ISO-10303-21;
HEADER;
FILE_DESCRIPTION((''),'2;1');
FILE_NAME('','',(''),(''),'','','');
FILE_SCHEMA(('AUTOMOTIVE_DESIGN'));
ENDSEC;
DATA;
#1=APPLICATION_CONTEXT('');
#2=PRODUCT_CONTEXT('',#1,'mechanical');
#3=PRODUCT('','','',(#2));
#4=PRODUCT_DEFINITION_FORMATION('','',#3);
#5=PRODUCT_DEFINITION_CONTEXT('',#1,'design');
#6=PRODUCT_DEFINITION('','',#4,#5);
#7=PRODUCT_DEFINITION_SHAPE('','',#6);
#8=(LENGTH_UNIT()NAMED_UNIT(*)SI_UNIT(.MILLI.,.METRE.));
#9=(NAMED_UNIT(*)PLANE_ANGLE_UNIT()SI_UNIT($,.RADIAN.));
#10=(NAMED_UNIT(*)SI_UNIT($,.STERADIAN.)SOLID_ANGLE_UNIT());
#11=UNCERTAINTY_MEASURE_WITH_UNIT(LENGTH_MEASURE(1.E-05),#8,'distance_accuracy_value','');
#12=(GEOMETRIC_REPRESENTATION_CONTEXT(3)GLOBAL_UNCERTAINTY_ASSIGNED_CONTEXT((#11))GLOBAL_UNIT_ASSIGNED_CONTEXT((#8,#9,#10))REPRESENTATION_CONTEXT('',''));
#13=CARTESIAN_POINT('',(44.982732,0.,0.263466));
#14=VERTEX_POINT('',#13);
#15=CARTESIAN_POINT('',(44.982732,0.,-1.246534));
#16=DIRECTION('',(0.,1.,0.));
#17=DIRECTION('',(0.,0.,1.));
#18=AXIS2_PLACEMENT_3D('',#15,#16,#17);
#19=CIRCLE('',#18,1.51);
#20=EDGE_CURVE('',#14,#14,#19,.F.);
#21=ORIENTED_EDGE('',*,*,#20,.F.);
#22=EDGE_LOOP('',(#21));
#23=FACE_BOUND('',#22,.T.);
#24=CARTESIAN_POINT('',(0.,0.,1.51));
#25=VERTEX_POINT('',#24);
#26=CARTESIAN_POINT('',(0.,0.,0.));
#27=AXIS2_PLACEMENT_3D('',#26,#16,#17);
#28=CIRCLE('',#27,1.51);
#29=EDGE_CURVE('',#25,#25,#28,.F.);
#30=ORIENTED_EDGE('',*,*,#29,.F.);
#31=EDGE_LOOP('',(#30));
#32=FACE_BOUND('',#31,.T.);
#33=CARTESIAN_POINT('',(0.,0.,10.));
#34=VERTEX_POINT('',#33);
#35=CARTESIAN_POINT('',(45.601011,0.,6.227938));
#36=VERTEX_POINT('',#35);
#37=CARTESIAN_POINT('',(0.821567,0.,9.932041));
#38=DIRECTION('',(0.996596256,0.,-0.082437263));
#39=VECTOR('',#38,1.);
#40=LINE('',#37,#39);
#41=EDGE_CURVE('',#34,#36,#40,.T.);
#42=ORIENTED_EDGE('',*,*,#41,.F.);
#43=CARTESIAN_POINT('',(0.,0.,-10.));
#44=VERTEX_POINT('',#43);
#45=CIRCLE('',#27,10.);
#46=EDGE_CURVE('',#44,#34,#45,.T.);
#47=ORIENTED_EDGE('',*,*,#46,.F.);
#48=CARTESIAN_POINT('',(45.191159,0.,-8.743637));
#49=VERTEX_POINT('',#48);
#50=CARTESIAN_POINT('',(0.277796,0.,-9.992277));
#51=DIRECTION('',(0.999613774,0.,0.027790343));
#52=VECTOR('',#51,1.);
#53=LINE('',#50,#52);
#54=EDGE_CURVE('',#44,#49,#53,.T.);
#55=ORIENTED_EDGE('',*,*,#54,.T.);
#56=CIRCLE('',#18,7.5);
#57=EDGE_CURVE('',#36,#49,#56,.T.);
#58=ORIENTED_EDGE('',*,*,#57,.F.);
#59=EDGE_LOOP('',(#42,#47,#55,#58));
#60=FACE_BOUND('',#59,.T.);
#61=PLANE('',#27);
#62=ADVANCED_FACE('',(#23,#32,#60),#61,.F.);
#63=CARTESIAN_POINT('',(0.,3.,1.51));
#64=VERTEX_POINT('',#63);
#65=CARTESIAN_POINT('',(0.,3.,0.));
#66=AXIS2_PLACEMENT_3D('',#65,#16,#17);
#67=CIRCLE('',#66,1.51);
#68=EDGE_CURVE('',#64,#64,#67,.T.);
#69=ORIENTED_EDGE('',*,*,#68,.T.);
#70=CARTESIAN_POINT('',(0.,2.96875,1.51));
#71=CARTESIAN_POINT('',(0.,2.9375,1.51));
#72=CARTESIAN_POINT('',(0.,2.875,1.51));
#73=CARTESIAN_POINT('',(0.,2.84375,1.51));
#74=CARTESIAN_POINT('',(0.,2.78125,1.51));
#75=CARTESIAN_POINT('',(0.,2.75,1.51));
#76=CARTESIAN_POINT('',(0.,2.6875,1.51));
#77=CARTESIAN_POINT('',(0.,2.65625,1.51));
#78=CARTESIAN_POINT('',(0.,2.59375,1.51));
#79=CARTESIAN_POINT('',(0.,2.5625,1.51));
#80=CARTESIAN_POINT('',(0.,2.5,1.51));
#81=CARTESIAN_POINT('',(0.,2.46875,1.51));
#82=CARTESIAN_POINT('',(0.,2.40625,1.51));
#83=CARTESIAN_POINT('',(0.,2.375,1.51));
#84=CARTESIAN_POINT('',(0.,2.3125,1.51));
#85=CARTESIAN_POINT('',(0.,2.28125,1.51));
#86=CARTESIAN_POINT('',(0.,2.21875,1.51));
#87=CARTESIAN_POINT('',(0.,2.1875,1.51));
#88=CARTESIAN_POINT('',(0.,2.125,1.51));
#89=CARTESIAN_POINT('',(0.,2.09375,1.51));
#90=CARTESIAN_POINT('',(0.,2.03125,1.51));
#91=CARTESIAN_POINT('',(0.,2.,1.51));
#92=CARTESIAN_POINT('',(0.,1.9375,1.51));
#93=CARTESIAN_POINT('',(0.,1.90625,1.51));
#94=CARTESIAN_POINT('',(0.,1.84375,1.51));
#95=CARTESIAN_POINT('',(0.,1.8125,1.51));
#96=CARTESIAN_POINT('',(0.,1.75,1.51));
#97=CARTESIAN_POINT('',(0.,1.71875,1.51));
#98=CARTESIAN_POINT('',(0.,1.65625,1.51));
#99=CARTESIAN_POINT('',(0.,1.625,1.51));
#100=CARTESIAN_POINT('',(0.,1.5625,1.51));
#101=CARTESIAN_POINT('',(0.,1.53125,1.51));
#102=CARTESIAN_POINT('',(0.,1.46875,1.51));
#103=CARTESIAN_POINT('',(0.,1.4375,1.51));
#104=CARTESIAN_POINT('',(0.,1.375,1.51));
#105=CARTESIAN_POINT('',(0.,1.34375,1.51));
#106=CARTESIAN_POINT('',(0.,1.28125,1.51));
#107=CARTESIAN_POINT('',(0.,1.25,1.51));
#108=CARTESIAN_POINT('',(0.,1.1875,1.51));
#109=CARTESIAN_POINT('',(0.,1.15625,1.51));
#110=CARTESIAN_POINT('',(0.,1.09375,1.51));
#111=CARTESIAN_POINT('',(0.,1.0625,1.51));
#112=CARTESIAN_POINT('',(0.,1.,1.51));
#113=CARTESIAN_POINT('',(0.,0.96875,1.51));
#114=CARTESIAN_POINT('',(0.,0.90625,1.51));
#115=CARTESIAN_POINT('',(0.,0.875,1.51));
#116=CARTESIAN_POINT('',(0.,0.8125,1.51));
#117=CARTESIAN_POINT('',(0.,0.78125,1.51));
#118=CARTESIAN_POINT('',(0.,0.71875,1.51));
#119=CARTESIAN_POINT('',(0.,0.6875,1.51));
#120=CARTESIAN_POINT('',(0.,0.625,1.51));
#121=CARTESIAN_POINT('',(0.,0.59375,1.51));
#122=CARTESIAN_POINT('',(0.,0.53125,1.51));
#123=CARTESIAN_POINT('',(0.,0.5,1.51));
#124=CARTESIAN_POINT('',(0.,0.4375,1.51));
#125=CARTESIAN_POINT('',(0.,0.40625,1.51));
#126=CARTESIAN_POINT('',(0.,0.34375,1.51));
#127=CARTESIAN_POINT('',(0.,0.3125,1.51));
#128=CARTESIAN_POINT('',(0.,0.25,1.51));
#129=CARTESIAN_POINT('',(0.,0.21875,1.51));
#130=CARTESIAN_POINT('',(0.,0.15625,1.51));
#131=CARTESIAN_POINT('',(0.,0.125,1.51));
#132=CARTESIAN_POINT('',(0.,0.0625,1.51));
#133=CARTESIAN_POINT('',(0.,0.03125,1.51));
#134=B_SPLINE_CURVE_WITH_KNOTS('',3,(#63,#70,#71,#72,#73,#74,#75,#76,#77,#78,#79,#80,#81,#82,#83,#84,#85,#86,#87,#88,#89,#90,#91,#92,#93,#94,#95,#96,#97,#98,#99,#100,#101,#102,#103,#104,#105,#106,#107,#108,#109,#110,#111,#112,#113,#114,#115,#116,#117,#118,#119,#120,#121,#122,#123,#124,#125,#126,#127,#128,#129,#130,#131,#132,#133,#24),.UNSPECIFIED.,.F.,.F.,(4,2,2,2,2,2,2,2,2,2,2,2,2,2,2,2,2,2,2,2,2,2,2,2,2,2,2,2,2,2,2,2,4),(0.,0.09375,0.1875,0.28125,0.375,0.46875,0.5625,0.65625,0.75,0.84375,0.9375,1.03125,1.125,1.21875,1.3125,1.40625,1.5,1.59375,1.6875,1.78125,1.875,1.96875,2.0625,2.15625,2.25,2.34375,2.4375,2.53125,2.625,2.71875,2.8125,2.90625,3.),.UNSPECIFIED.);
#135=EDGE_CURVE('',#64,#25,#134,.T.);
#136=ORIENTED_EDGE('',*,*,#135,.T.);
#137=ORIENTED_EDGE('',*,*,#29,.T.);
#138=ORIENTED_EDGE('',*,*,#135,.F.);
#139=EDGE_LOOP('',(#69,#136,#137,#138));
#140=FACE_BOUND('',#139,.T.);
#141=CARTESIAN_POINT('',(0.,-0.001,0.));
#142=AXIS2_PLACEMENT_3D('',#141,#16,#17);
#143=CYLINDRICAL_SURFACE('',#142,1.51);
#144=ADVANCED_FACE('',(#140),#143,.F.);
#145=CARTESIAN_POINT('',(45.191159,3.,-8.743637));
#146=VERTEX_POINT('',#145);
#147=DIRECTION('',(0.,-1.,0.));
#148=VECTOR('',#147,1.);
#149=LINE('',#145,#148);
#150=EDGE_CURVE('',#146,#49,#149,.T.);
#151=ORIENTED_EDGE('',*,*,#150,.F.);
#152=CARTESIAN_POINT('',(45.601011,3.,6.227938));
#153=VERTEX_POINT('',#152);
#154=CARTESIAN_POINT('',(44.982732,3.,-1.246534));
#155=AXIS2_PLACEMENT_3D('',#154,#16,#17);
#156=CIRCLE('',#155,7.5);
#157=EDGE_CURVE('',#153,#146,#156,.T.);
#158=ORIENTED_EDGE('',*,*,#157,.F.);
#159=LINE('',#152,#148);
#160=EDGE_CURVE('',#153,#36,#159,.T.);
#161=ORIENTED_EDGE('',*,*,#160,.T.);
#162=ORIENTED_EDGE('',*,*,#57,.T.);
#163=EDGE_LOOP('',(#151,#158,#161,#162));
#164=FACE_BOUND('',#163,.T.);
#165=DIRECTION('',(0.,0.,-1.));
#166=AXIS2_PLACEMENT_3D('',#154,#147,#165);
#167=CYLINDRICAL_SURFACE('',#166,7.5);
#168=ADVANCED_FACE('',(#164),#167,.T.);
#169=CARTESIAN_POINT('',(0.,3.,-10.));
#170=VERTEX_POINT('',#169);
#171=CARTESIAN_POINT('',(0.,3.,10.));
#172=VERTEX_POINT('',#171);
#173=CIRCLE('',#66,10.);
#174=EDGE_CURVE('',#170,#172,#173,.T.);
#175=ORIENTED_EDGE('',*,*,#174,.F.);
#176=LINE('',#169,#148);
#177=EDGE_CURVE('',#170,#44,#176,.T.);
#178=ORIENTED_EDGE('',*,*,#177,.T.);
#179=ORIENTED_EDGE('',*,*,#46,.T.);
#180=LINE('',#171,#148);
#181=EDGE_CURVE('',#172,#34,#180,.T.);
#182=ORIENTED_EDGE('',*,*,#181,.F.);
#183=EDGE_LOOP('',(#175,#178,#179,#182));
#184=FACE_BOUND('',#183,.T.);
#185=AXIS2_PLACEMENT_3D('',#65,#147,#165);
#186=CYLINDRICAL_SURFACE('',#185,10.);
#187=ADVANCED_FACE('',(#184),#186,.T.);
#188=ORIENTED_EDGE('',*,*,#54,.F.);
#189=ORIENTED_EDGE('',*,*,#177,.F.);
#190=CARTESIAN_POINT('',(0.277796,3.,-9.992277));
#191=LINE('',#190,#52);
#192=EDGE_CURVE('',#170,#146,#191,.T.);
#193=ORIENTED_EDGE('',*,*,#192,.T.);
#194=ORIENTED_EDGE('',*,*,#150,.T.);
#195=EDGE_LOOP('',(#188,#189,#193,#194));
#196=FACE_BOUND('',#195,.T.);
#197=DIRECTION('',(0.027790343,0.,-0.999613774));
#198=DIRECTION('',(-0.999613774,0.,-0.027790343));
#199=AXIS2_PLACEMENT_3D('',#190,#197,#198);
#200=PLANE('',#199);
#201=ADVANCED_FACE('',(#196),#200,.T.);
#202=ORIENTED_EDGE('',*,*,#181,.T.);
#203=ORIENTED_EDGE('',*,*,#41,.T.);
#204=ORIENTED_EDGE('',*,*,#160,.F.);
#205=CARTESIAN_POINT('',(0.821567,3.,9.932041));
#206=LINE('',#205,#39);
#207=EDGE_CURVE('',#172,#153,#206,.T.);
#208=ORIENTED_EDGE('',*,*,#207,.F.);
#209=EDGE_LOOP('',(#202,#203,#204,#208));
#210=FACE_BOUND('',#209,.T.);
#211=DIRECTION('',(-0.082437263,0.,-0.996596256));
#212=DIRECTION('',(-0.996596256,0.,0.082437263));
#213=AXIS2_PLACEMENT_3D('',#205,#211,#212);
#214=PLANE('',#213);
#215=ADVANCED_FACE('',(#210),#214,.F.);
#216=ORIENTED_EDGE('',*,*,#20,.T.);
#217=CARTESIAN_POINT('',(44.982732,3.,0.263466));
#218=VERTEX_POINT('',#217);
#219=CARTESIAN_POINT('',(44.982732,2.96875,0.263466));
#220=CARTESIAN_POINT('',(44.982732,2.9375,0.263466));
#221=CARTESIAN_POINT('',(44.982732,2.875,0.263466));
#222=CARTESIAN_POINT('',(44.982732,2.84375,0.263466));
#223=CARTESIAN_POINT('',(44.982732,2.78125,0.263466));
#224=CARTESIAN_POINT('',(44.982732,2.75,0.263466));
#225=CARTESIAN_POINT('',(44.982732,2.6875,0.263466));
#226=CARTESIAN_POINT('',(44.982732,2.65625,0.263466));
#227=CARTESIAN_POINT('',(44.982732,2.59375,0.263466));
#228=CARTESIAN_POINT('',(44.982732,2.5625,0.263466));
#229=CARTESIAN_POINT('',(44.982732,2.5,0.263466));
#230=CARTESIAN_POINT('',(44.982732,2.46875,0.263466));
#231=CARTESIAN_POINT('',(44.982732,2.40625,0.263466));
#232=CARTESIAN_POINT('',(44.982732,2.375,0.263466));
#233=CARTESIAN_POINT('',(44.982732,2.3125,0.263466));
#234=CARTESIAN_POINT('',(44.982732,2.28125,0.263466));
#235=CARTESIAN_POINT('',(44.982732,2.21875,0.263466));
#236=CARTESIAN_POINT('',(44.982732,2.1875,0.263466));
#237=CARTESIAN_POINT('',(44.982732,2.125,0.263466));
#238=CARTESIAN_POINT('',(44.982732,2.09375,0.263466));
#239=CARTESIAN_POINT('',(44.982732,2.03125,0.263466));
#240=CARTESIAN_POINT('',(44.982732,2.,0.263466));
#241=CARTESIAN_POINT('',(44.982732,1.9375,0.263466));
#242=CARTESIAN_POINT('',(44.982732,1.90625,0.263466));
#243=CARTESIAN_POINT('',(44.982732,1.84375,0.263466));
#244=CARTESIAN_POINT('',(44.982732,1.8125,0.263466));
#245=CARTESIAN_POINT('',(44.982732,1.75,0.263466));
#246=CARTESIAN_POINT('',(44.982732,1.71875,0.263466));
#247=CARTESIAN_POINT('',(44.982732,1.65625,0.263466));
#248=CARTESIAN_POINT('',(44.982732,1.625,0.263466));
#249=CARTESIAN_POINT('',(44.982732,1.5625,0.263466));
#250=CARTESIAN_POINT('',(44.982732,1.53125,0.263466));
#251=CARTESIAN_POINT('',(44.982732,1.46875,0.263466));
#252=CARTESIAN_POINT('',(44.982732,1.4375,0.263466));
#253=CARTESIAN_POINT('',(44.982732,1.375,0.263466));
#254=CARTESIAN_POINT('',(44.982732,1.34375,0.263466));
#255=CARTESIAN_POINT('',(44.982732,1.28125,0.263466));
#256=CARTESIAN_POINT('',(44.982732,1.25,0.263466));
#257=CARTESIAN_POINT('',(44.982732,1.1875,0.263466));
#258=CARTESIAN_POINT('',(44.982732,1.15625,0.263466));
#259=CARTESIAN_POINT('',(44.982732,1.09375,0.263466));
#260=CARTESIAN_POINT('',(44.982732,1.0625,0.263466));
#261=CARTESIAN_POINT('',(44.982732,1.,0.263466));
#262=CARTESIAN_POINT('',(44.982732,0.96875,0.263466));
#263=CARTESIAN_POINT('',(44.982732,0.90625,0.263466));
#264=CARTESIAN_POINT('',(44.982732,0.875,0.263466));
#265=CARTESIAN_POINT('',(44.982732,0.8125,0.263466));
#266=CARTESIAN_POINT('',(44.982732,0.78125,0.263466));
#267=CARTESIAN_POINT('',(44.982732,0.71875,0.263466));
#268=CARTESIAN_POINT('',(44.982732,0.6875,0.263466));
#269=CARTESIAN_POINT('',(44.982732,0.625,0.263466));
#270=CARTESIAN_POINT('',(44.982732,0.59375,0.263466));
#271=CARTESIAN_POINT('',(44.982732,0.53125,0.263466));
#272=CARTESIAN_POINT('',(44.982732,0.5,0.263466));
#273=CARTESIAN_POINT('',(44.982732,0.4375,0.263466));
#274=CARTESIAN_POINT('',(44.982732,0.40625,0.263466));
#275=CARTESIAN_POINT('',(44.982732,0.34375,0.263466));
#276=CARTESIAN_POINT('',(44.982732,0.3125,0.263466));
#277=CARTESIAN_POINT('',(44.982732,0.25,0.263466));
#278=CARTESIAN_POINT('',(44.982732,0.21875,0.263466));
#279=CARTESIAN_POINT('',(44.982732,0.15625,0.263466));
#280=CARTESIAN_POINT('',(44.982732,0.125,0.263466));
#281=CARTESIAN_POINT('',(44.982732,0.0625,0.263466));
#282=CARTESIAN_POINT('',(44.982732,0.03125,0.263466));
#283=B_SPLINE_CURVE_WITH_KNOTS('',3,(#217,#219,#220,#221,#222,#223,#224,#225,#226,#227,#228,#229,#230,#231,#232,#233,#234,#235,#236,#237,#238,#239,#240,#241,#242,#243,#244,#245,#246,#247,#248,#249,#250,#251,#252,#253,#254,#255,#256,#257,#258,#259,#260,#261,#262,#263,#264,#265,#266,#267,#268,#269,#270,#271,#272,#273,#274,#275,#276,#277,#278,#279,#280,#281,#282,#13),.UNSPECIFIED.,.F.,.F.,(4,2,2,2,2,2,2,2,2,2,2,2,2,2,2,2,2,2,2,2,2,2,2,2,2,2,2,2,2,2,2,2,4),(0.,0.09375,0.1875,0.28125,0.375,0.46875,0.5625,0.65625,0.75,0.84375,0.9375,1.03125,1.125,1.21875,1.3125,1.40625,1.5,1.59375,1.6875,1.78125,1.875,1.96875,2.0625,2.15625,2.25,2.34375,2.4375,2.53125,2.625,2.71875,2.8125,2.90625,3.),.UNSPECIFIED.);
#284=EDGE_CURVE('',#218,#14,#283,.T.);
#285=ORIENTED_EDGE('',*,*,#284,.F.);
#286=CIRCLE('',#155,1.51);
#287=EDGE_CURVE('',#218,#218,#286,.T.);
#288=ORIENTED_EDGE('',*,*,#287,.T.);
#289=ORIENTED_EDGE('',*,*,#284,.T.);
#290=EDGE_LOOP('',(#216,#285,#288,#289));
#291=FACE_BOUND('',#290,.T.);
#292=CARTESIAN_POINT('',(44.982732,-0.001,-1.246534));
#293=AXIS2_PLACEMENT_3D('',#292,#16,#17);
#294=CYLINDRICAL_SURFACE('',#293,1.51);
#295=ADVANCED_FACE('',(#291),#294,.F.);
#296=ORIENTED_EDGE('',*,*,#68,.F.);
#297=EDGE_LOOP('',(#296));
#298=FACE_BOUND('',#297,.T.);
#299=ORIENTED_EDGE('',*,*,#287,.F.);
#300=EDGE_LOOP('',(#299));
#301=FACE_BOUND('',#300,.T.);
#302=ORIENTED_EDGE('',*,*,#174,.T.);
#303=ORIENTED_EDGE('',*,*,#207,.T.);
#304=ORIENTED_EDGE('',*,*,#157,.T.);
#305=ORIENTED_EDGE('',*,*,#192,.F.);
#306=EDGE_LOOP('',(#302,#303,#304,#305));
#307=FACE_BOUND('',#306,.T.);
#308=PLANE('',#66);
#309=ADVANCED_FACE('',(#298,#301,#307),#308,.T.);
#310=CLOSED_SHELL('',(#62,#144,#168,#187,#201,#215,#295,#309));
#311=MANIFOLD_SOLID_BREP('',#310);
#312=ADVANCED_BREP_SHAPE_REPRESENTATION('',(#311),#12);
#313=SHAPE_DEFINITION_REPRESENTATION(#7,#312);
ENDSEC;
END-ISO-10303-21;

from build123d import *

# Parameters (mm, degrees)
BOSS_EXTRUDE1_DEPTH = 3
CUT_EXTRUDE1_REACH  = 55.511
SKETCH2_R           = 1.51


with BuildPart() as part:
    # Sketch1 → Boss-Extrude1 (new body)
    with BuildSketch(Plane(origin=(0, 0, 0), x_dir=(1, 0, 0), z_dir=(0, 1, 0))):
        with BuildLine():
            ThreePointArc((0, 10), (-10, 0), (0, -10))
            Line((0, -10), (45.601011206, -6.227938292))
            ThreePointArc((45.601011206, -6.227938292), (52.479923025, 1.451771759), (45.191159304, 8.743636932))
            Line((45.191159304, 8.743636932), (0, 10))
        make_face()
    extrude(amount=BOSS_EXTRUDE1_DEPTH)

    # Sketch2 → Cut-Extrude1 (cut, up to next)
    with BuildSketch(Plane(origin=(0, 3, 0), x_dir=(1, 0, 0), z_dir=(0, 1, 0)), mode=Mode.PRIVATE) as cut_extrude1_sk1:
        with Locations(Location((0, 0, 0), (0, 0, 270))):
            Circle(SKETCH2_R)
    cut_extrude1_tool1 = extrude(cut_extrude1_sk1.sketch, amount=-CUT_EXTRUDE1_REACH, mode=Mode.PRIVATE) & part.part
    # Sketch2 → Cut-Extrude1 (cut, up to next)
    with BuildSketch(Plane(origin=(0, 3, 0), x_dir=(1, 0, 0), z_dir=(0, 1, 0)), mode=Mode.PRIVATE) as cut_extrude1_sk2:
        with Locations(Location((44.98273173, 1.246533628, 0), (0, 0, 270))):
            Circle(SKETCH2_R)
    cut_extrude1_tool2 = extrude(cut_extrude1_sk2.sketch, amount=-CUT_EXTRUDE1_REACH, mode=Mode.PRIVATE) & part.part
    add(cut_extrude1_tool1.solids().sort_by_distance((0, 3, 0))[0], mode=Mode.SUBTRACT)
    add(cut_extrude1_tool2.solids().sort_by_distance((44.982732, 3, -1.246534))[0], mode=Mode.SUBTRACT)


solid = part.part
